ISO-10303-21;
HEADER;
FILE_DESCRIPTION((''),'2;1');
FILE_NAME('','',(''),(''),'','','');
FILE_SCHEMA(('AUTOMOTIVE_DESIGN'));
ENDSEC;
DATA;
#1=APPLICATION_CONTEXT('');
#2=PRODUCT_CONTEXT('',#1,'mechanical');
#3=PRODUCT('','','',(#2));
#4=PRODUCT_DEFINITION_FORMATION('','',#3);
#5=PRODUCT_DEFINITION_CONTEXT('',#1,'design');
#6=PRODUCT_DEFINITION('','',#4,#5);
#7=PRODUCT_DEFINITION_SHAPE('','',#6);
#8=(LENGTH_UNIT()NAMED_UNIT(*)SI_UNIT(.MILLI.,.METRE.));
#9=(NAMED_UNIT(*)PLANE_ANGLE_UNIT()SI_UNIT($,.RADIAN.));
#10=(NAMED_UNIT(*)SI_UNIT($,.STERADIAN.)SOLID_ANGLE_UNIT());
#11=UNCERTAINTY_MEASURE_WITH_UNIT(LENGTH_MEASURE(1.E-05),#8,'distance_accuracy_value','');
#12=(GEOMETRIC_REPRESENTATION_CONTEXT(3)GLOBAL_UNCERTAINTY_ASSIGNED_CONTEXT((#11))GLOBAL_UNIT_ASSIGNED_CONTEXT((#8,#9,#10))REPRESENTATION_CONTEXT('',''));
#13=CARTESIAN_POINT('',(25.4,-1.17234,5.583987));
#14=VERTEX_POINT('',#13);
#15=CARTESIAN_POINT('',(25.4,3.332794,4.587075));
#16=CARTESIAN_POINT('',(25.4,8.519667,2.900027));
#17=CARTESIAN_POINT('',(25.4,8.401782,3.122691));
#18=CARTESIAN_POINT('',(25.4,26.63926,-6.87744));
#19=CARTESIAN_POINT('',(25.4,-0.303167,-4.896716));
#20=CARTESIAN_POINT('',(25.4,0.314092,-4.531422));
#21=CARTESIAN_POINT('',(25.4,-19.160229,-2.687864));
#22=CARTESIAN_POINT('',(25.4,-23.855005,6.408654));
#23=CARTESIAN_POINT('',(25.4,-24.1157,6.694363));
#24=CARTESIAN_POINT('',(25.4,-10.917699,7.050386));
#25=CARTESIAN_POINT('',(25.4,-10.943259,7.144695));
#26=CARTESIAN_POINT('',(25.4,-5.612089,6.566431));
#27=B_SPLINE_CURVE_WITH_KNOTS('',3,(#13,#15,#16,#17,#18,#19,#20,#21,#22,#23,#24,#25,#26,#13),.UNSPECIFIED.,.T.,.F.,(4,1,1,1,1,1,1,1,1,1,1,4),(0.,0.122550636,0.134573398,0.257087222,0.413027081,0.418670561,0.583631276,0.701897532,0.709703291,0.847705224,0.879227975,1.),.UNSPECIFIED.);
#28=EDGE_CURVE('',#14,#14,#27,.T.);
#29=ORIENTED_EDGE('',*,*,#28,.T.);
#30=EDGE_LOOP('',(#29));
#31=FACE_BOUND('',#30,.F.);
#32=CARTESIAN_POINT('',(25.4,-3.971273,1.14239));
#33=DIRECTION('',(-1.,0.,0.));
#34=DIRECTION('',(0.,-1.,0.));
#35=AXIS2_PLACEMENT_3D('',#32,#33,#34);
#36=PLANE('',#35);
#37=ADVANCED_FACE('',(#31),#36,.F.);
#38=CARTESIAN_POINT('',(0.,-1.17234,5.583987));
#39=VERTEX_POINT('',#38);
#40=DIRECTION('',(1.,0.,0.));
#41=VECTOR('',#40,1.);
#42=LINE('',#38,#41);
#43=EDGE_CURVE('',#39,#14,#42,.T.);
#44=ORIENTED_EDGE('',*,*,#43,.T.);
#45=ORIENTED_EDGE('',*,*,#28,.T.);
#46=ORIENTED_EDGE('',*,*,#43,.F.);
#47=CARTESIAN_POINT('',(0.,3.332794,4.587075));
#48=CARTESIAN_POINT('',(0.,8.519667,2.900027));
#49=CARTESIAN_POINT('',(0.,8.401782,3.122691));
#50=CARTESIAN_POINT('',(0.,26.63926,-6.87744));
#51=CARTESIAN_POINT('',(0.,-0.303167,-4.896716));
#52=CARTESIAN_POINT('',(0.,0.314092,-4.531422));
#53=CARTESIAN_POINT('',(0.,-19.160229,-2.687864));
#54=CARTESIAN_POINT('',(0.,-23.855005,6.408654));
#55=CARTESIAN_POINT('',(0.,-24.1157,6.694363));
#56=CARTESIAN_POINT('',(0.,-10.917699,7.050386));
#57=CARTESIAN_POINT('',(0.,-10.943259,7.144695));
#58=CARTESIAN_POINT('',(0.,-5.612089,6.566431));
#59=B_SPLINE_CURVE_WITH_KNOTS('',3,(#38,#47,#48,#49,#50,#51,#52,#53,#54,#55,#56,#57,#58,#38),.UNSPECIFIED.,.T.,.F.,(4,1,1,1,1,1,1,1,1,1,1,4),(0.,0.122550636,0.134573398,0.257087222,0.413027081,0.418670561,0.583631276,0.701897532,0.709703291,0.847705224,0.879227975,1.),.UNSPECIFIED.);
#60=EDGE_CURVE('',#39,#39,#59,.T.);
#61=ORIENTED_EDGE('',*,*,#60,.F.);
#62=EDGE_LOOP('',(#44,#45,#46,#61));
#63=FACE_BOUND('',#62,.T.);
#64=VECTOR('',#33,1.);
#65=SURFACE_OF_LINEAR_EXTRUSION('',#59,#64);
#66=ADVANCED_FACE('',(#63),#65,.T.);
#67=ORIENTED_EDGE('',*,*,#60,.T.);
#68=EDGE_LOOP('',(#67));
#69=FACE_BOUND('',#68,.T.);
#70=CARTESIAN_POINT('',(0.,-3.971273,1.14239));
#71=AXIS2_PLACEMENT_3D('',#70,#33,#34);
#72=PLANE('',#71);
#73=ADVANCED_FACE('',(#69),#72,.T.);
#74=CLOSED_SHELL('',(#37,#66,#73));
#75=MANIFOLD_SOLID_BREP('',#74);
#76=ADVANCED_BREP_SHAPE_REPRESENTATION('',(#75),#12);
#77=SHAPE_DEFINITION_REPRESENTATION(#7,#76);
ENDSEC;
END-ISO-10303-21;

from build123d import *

# Parameters (mm, degrees)
F1_DEPTH = 25.4


with BuildPart() as f1:
    # F0 (on Right) → F1 (new body)
    with BuildSketch(Plane.YZ):
        with BuildLine():
            add(Edge.make_bspline(
                [(-1.1723396622, 5.5839868861), (3.332794294, 4.5870746688), (8.5196667761, 2.9000269742), (8.4017820167, 3.1226910787), (26.639260368, -6.8774401708), (-0.3031671917, -4.8967157729), (0.314092231, -4.5314223378), (-19.1602285648, -2.6878638824), (-23.8550046619, 6.4086542979), (-24.1157003975, 6.6943627102), (-10.9176990438, 7.0503858391), (-10.9432593628, 7.144695367), (-5.6120893684, 6.5664306419), (-1.1723396622, 5.5839868861)],
                knots=[0, 0, 0, 0, 0.1225506361, 0.134573398, 0.2570872218, 0.4130270808, 0.4186705611, 0.5836312764, 0.701897532, 0.7097032913, 0.8477052239, 0.8792279751, 1, 1, 1, 1], degree=3))
        make_face()
    extrude(amount=F1_DEPTH)


solid = f1.part
